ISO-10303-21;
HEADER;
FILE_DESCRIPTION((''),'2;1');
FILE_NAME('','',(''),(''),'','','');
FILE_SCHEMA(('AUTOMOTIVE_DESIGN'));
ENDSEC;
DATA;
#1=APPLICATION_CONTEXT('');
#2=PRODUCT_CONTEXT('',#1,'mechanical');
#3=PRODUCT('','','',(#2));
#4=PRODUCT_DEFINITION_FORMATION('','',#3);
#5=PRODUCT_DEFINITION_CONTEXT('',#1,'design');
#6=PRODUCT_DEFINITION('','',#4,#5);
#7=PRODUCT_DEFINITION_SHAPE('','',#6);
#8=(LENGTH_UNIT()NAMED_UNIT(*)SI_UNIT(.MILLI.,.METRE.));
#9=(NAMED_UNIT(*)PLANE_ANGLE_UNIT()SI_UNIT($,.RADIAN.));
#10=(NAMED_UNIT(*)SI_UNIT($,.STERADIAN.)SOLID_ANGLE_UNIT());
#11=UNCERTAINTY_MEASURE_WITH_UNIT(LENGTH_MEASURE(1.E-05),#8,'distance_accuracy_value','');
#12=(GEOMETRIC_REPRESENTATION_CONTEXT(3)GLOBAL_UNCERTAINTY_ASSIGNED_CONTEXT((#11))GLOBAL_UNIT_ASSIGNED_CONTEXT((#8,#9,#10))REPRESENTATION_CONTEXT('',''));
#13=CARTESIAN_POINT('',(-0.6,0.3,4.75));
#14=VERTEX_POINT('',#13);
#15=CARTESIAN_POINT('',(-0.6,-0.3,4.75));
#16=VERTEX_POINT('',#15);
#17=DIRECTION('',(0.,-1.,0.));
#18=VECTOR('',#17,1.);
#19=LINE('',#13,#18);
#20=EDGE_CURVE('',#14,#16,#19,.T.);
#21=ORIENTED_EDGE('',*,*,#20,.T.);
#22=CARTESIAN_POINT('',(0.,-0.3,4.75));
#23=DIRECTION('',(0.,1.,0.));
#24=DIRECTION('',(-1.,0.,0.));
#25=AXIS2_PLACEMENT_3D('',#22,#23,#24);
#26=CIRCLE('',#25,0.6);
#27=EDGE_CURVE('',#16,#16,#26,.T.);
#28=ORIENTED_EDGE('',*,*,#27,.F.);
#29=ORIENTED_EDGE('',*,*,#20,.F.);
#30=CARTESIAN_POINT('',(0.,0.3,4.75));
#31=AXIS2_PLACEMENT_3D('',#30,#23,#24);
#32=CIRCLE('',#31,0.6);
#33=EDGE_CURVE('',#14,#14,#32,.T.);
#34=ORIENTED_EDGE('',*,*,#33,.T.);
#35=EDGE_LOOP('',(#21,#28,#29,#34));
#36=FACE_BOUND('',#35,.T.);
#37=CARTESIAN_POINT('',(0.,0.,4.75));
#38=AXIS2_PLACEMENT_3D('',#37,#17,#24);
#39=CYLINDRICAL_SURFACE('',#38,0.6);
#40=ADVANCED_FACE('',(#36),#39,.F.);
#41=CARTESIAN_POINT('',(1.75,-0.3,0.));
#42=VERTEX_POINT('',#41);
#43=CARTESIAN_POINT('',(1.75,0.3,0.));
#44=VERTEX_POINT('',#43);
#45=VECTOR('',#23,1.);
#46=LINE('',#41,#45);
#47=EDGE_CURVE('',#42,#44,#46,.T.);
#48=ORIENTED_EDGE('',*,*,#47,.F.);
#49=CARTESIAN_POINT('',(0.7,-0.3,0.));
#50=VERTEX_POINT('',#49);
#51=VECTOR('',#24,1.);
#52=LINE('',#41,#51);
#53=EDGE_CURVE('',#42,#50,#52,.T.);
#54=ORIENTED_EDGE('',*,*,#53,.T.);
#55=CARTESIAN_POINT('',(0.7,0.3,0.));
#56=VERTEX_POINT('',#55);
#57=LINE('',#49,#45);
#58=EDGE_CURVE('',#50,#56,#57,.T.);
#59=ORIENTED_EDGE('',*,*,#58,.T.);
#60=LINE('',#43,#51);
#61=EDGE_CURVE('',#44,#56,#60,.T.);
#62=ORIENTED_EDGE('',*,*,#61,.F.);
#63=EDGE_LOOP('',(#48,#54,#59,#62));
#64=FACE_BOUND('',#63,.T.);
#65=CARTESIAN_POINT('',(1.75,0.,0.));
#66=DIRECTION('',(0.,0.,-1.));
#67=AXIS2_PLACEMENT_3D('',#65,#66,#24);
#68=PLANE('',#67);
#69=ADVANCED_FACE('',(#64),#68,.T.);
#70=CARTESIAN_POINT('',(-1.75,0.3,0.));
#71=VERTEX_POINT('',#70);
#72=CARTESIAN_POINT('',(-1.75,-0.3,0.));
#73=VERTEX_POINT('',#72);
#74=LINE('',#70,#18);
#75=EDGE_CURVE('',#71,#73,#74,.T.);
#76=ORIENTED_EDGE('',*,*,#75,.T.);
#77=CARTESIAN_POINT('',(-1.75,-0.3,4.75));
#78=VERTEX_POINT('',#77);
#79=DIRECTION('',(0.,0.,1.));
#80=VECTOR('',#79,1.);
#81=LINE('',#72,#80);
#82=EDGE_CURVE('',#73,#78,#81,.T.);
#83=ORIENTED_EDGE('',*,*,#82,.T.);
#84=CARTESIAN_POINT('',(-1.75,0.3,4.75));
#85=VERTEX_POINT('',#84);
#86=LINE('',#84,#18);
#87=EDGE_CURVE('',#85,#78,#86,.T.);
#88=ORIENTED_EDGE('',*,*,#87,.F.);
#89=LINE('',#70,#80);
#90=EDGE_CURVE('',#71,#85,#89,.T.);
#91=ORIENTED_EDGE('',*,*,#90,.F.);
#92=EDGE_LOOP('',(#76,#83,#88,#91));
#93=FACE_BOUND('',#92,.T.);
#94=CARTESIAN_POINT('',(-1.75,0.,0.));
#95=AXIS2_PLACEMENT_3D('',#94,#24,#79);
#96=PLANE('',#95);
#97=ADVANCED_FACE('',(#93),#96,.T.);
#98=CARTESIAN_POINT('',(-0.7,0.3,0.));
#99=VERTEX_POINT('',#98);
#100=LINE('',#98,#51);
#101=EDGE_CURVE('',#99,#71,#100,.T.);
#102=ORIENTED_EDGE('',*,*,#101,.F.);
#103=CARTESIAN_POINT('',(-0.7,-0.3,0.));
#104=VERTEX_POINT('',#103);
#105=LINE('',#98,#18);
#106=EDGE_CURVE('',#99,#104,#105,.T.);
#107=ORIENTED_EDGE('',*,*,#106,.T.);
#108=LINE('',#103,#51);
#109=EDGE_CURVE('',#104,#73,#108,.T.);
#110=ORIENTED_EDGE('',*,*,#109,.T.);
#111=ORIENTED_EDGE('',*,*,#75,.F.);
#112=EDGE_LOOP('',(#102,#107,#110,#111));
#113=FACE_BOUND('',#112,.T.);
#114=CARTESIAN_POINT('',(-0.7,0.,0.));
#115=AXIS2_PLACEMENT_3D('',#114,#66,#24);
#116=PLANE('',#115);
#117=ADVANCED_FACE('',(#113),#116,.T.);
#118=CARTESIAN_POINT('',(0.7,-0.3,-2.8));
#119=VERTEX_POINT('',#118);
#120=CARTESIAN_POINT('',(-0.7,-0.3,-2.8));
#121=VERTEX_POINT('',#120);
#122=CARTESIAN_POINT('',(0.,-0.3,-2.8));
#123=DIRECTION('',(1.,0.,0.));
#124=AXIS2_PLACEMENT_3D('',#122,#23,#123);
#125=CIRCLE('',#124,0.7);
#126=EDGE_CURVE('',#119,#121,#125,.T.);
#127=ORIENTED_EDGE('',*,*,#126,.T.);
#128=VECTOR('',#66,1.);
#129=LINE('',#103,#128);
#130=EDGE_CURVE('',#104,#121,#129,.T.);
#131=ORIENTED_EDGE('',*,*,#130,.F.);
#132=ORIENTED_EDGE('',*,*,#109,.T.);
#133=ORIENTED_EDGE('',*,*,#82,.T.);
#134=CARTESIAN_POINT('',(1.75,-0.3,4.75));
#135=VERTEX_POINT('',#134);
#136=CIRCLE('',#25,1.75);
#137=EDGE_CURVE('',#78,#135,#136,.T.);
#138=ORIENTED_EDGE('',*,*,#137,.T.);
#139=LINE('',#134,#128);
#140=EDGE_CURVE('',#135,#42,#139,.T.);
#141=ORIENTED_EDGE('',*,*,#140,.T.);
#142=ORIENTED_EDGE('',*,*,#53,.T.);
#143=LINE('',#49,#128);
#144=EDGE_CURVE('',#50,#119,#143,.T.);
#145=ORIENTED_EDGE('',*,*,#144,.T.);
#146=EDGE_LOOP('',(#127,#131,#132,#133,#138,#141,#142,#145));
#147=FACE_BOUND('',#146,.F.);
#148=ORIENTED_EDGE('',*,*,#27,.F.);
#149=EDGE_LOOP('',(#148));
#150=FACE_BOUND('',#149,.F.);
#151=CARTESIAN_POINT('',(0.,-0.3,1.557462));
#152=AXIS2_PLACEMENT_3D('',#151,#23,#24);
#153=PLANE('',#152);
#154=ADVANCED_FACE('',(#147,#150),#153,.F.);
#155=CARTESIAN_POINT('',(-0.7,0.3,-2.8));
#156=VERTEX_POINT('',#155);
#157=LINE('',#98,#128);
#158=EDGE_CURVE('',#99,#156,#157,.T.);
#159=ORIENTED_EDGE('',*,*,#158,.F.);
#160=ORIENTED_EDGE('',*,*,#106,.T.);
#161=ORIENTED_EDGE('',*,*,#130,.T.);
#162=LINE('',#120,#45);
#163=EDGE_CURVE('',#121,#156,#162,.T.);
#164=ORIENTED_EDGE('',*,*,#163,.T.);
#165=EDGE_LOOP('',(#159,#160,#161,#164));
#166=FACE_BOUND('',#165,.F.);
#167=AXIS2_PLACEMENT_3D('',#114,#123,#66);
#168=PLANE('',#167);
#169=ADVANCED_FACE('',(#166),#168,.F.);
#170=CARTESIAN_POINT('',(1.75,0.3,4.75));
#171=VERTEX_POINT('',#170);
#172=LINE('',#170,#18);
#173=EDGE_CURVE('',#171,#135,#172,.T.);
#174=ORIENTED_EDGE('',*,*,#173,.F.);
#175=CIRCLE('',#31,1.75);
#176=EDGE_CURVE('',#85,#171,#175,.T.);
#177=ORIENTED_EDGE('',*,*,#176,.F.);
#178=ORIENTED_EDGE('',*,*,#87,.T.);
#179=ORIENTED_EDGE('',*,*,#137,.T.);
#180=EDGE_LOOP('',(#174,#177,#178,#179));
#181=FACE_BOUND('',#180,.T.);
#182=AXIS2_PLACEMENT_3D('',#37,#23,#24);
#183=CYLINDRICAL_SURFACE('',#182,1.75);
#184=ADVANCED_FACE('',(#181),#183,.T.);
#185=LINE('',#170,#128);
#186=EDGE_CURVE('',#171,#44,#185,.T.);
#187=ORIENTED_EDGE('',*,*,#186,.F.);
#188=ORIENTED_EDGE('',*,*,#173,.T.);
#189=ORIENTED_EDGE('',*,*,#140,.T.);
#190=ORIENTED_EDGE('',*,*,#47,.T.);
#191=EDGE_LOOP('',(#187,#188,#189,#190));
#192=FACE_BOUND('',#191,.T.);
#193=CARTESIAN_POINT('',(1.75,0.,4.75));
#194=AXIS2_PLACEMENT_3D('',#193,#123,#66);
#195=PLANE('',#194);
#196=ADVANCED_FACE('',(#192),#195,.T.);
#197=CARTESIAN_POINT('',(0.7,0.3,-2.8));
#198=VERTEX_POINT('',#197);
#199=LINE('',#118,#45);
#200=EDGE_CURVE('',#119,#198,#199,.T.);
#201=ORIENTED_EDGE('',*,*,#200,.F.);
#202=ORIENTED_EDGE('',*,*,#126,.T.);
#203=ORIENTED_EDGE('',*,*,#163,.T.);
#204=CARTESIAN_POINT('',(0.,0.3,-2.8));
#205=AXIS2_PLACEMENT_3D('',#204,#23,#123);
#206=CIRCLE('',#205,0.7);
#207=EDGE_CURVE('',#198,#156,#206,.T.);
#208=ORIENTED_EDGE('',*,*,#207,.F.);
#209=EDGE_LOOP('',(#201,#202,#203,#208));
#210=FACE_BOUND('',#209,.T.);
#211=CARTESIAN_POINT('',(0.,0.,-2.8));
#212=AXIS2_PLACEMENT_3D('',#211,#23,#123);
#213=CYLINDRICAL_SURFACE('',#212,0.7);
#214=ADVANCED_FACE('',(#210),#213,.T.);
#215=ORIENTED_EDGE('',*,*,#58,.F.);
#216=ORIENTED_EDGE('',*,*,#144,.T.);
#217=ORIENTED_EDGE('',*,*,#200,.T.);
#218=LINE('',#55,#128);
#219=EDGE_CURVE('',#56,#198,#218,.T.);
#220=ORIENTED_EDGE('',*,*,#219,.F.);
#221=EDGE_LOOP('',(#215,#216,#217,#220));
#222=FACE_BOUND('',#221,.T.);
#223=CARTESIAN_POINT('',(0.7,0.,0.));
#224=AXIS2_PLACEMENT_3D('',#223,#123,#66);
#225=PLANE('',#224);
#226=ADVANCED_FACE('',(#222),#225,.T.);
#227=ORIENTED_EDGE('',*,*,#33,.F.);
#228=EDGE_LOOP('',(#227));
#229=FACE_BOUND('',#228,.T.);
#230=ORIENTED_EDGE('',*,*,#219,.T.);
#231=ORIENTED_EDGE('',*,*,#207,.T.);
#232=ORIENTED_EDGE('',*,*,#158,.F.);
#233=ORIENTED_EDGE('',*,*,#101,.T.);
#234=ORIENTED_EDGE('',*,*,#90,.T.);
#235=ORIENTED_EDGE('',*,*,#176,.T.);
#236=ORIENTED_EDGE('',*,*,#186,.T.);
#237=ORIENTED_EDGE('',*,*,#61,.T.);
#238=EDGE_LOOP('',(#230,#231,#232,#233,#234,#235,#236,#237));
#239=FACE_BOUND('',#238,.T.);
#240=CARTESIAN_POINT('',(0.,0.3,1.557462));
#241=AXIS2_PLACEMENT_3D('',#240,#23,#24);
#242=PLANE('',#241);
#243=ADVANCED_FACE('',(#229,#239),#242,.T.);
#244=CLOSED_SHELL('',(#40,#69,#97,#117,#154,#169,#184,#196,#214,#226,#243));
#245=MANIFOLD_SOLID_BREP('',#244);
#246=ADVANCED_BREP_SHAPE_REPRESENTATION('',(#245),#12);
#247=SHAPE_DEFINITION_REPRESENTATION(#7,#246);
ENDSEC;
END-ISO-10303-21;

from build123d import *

# Parameters (mm, degrees)
SKETCH_R  = 0.6
PAD_DEPTH = 0.3


with BuildPart() as part:
    # Sketch → Pad (new body, symmetric)
    with BuildSketch(Plane(origin=(0, 0, 0), x_dir=(-1, 0, 0), z_dir=(0, 1, 0))):
        with BuildLine():
            Line((-1.75, 4.75), (-1.75, 0))
            Line((-1.75, 0), (-0.7, 0))
            Line((-0.7, 0), (-0.7, -2.8))
            ThreePointArc((-0.7, -2.8), (0, -3.5), (0.7, -2.8))
            Line((0.7, 0), (0.7, -2.8))
            Line((0.7, 0), (1.75, 0))
            Line((1.75, 0), (1.75, 4.75))
            ThreePointArc((1.75, 4.75), (0, 6.5), (-1.75, 4.75))
        make_face()
        with Locations((0, 4.75)):
            Circle(SKETCH_R, mode=Mode.SUBTRACT)
    extrude(amount=PAD_DEPTH, both=True)


solid = part.part
